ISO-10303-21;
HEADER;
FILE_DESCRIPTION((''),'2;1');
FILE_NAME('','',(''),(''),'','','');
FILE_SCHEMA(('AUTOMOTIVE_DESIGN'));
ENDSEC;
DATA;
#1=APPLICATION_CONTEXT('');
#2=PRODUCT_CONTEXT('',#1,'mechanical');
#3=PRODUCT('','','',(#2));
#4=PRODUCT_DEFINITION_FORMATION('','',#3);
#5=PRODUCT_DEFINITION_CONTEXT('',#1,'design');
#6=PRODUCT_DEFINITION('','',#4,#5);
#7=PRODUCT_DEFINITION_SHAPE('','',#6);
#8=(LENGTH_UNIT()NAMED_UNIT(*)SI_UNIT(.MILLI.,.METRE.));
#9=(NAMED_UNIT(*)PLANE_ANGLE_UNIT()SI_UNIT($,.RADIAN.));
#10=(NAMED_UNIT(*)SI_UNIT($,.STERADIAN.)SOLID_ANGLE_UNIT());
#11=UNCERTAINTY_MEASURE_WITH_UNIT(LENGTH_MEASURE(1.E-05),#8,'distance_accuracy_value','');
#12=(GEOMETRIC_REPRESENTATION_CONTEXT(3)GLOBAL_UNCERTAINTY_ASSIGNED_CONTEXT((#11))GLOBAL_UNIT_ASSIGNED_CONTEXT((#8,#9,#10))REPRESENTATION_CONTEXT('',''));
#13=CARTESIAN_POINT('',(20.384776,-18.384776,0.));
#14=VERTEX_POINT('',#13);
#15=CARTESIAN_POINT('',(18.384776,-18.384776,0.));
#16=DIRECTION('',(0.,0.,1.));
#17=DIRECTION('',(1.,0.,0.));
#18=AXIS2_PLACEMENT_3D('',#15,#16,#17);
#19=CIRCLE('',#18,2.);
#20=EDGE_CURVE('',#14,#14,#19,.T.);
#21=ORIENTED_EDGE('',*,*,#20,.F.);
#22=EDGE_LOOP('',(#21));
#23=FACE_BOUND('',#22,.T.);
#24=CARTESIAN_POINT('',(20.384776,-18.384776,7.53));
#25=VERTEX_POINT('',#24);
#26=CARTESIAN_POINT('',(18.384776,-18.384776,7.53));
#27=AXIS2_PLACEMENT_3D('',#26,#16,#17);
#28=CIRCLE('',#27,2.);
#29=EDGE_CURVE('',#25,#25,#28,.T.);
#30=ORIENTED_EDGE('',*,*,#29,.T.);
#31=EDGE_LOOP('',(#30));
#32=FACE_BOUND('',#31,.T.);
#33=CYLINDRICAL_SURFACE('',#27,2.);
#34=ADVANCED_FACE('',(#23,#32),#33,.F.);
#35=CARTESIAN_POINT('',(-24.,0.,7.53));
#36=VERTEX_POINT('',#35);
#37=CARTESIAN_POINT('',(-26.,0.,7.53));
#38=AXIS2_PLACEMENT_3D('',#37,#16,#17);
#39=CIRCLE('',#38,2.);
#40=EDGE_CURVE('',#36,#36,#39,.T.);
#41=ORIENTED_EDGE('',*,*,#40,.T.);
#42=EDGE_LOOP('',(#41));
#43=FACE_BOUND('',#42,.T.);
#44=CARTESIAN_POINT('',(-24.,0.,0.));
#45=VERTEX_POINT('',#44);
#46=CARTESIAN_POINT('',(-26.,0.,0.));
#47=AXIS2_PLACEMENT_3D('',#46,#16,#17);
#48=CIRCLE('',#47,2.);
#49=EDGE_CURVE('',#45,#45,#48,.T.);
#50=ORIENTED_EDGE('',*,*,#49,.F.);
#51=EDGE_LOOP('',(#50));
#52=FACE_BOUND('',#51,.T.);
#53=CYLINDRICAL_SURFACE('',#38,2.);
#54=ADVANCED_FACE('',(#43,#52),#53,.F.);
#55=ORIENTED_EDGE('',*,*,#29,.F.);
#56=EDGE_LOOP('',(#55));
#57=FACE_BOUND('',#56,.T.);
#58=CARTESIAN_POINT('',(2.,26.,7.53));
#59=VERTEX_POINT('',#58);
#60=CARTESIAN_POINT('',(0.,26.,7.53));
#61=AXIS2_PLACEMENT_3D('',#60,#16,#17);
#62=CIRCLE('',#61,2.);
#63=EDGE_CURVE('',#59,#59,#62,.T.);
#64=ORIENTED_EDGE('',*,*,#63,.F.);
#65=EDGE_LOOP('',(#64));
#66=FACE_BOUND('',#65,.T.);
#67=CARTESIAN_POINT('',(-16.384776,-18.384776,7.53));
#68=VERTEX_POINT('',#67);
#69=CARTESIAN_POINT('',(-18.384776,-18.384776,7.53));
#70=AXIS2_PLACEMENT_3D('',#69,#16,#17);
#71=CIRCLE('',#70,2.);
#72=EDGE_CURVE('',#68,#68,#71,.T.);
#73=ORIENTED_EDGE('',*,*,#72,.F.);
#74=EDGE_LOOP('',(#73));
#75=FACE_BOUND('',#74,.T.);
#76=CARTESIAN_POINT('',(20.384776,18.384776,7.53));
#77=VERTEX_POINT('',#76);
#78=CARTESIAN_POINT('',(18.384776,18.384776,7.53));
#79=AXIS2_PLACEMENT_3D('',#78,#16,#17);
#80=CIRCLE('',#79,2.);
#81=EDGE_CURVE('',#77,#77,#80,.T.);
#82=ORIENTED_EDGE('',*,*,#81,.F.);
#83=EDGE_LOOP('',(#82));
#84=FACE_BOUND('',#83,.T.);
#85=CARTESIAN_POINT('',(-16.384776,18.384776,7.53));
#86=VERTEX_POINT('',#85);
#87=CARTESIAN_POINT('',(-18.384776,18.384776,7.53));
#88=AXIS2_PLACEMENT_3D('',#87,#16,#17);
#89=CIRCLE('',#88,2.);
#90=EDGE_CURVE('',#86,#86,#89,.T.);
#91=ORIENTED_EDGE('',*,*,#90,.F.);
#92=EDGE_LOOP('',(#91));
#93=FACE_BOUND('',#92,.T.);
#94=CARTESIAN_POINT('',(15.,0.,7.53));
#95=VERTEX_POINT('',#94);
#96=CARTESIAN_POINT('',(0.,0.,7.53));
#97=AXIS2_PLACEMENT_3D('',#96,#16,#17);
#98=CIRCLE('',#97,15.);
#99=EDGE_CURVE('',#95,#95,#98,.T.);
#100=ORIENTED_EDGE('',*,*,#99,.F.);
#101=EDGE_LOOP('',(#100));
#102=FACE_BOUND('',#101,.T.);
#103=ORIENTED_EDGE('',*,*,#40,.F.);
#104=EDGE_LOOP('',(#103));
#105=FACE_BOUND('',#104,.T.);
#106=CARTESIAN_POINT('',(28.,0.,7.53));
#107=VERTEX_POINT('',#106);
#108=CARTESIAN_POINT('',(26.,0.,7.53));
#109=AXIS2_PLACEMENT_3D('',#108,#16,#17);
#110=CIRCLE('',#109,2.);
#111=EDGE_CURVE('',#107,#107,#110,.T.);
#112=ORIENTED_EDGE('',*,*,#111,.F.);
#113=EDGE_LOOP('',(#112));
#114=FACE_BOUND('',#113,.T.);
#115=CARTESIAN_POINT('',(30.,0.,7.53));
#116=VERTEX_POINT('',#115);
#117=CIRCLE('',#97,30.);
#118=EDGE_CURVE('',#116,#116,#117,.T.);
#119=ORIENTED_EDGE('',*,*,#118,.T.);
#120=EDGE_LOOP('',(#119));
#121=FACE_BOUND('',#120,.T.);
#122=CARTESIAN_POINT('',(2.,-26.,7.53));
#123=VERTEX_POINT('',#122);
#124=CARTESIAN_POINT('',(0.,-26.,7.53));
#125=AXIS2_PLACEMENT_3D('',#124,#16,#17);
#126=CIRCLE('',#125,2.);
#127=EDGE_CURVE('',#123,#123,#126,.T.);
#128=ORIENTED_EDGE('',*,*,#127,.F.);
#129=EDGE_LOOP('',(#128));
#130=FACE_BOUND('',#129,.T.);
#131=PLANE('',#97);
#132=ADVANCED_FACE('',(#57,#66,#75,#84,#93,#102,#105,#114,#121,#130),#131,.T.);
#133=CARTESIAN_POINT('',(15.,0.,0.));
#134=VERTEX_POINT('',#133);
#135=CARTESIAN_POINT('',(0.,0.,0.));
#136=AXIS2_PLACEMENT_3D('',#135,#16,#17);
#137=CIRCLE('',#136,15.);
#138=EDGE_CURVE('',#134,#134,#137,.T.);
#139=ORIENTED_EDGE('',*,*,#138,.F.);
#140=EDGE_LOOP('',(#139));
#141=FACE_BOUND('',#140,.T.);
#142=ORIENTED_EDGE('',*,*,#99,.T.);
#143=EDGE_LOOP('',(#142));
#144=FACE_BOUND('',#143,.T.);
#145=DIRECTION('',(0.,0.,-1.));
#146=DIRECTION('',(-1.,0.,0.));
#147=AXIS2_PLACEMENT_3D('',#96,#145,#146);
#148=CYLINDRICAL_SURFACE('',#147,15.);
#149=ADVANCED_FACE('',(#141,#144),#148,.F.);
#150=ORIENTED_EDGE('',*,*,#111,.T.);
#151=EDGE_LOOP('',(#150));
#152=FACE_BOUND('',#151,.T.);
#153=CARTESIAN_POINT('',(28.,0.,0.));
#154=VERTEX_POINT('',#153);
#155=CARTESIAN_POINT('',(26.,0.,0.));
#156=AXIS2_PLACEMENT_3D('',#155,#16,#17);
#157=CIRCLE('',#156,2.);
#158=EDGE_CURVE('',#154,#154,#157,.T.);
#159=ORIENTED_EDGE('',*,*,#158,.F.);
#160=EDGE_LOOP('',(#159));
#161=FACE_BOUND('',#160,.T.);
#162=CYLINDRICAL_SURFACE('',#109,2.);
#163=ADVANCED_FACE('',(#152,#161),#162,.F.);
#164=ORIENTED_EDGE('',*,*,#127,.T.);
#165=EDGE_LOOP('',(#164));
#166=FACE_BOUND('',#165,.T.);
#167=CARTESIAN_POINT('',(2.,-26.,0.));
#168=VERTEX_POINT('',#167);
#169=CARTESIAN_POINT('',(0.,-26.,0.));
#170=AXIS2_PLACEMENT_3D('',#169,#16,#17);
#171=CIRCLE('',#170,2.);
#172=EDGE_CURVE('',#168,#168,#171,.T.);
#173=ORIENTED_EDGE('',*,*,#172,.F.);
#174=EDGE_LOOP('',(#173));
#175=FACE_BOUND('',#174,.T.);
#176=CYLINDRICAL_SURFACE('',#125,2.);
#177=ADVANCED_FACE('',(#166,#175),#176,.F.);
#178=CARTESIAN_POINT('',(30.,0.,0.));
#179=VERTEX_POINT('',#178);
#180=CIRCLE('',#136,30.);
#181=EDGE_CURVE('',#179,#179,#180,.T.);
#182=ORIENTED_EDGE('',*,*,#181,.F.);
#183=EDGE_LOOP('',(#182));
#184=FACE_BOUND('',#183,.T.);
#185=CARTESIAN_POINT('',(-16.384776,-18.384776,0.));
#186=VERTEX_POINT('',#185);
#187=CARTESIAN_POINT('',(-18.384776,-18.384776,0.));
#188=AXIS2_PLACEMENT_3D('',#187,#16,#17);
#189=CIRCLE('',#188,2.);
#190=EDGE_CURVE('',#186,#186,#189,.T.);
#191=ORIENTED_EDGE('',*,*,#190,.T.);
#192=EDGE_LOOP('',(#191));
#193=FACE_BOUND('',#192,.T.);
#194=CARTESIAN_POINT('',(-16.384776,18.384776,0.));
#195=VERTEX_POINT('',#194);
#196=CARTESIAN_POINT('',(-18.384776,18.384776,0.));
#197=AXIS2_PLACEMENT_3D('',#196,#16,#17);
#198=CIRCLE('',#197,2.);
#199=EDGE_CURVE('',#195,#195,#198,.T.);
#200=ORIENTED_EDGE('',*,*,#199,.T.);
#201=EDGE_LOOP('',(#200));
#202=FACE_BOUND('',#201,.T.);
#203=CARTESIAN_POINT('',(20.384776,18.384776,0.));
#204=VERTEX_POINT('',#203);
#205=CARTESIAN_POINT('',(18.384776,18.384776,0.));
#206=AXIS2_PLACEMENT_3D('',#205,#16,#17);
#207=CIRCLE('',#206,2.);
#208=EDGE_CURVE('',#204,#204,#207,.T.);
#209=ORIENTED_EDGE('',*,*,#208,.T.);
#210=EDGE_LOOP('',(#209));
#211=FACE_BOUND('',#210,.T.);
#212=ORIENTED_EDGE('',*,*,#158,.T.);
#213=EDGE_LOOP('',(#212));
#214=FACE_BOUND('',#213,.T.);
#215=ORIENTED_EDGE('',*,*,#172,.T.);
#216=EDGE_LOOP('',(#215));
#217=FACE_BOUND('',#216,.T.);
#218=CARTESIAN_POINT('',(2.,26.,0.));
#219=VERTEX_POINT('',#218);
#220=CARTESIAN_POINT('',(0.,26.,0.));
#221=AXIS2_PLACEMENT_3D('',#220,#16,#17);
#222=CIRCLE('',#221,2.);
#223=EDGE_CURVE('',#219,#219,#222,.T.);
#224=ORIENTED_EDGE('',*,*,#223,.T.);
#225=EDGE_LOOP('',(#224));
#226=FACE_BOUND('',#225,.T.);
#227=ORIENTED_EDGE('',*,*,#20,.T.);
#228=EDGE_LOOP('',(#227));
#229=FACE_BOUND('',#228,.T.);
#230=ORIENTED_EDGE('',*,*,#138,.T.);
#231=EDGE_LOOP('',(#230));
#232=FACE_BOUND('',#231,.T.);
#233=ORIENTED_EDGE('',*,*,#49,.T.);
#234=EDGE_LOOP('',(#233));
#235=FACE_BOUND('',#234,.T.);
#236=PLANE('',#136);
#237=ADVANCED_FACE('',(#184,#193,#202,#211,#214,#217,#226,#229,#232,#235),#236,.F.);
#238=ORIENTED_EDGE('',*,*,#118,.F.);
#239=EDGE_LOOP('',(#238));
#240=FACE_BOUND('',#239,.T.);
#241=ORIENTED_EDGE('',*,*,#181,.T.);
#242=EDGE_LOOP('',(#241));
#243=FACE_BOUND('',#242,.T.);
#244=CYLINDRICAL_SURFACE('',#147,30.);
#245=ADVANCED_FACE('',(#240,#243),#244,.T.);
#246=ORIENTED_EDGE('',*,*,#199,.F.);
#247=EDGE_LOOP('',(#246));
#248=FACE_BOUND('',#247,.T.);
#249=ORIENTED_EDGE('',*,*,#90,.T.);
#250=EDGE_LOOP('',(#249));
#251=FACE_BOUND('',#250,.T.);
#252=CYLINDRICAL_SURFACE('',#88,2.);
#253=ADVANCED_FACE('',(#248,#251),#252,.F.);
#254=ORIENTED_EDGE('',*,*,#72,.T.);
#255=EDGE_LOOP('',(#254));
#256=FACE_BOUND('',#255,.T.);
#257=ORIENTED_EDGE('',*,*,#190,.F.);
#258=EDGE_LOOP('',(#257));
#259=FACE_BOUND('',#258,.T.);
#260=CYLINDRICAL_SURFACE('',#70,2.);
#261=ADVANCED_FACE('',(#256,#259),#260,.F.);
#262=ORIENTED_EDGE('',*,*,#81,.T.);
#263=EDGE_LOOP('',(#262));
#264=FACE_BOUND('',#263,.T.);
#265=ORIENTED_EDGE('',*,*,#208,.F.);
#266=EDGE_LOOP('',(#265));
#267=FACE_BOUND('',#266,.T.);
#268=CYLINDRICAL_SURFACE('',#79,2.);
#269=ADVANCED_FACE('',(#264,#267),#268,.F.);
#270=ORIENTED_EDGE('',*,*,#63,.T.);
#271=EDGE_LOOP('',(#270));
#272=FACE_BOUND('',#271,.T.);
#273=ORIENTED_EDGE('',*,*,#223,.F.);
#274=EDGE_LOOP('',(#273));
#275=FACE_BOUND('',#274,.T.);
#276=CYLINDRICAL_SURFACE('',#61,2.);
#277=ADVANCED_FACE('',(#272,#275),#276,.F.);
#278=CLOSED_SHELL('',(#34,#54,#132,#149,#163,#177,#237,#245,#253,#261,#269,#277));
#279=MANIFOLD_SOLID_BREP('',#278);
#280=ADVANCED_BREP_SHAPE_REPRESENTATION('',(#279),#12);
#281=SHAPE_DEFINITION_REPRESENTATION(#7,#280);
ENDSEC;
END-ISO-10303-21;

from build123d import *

# Parameters (mm, degrees)
SKETCH1_R             = 30
SKETCH1_R_2           = 15
BOSS_EXTRUDE1_DEPTH   = 7.53
F_1_0MM_DOWEL_HOLE1_D = 4
CIRPATTERN1_COUNT     = 8


with BuildPart() as part:
    # Sketch1 → Boss-Extrude1 (new body)
    with BuildSketch(Plane.XY):
        Circle(SKETCH1_R)
        Circle(SKETCH1_R_2, mode=Mode.SUBTRACT)
    extrude(amount=BOSS_EXTRUDE1_DEPTH)

    # Ø1.0mm Dowel Hole1 (through all)
    with Locations(Plane.XY.offset(7.53)):
        with Locations((0, 26)):
            f_1_0mm_dowel_hole1 = Hole(F_1_0MM_DOWEL_HOLE1_D / 2)

    # CirPattern1: Ø1.0mm Dowel Hole1 ×8 about axis
    cirpattern1_axis = Axis((0, 0, 0), (0, 0, 1))
    for i in range(1, CIRPATTERN1_COUNT):
        add(f_1_0mm_dowel_hole1.rotate(cirpattern1_axis, i * 360 / CIRPATTERN1_COUNT), mode=Mode.SUBTRACT)


solid = part.part
